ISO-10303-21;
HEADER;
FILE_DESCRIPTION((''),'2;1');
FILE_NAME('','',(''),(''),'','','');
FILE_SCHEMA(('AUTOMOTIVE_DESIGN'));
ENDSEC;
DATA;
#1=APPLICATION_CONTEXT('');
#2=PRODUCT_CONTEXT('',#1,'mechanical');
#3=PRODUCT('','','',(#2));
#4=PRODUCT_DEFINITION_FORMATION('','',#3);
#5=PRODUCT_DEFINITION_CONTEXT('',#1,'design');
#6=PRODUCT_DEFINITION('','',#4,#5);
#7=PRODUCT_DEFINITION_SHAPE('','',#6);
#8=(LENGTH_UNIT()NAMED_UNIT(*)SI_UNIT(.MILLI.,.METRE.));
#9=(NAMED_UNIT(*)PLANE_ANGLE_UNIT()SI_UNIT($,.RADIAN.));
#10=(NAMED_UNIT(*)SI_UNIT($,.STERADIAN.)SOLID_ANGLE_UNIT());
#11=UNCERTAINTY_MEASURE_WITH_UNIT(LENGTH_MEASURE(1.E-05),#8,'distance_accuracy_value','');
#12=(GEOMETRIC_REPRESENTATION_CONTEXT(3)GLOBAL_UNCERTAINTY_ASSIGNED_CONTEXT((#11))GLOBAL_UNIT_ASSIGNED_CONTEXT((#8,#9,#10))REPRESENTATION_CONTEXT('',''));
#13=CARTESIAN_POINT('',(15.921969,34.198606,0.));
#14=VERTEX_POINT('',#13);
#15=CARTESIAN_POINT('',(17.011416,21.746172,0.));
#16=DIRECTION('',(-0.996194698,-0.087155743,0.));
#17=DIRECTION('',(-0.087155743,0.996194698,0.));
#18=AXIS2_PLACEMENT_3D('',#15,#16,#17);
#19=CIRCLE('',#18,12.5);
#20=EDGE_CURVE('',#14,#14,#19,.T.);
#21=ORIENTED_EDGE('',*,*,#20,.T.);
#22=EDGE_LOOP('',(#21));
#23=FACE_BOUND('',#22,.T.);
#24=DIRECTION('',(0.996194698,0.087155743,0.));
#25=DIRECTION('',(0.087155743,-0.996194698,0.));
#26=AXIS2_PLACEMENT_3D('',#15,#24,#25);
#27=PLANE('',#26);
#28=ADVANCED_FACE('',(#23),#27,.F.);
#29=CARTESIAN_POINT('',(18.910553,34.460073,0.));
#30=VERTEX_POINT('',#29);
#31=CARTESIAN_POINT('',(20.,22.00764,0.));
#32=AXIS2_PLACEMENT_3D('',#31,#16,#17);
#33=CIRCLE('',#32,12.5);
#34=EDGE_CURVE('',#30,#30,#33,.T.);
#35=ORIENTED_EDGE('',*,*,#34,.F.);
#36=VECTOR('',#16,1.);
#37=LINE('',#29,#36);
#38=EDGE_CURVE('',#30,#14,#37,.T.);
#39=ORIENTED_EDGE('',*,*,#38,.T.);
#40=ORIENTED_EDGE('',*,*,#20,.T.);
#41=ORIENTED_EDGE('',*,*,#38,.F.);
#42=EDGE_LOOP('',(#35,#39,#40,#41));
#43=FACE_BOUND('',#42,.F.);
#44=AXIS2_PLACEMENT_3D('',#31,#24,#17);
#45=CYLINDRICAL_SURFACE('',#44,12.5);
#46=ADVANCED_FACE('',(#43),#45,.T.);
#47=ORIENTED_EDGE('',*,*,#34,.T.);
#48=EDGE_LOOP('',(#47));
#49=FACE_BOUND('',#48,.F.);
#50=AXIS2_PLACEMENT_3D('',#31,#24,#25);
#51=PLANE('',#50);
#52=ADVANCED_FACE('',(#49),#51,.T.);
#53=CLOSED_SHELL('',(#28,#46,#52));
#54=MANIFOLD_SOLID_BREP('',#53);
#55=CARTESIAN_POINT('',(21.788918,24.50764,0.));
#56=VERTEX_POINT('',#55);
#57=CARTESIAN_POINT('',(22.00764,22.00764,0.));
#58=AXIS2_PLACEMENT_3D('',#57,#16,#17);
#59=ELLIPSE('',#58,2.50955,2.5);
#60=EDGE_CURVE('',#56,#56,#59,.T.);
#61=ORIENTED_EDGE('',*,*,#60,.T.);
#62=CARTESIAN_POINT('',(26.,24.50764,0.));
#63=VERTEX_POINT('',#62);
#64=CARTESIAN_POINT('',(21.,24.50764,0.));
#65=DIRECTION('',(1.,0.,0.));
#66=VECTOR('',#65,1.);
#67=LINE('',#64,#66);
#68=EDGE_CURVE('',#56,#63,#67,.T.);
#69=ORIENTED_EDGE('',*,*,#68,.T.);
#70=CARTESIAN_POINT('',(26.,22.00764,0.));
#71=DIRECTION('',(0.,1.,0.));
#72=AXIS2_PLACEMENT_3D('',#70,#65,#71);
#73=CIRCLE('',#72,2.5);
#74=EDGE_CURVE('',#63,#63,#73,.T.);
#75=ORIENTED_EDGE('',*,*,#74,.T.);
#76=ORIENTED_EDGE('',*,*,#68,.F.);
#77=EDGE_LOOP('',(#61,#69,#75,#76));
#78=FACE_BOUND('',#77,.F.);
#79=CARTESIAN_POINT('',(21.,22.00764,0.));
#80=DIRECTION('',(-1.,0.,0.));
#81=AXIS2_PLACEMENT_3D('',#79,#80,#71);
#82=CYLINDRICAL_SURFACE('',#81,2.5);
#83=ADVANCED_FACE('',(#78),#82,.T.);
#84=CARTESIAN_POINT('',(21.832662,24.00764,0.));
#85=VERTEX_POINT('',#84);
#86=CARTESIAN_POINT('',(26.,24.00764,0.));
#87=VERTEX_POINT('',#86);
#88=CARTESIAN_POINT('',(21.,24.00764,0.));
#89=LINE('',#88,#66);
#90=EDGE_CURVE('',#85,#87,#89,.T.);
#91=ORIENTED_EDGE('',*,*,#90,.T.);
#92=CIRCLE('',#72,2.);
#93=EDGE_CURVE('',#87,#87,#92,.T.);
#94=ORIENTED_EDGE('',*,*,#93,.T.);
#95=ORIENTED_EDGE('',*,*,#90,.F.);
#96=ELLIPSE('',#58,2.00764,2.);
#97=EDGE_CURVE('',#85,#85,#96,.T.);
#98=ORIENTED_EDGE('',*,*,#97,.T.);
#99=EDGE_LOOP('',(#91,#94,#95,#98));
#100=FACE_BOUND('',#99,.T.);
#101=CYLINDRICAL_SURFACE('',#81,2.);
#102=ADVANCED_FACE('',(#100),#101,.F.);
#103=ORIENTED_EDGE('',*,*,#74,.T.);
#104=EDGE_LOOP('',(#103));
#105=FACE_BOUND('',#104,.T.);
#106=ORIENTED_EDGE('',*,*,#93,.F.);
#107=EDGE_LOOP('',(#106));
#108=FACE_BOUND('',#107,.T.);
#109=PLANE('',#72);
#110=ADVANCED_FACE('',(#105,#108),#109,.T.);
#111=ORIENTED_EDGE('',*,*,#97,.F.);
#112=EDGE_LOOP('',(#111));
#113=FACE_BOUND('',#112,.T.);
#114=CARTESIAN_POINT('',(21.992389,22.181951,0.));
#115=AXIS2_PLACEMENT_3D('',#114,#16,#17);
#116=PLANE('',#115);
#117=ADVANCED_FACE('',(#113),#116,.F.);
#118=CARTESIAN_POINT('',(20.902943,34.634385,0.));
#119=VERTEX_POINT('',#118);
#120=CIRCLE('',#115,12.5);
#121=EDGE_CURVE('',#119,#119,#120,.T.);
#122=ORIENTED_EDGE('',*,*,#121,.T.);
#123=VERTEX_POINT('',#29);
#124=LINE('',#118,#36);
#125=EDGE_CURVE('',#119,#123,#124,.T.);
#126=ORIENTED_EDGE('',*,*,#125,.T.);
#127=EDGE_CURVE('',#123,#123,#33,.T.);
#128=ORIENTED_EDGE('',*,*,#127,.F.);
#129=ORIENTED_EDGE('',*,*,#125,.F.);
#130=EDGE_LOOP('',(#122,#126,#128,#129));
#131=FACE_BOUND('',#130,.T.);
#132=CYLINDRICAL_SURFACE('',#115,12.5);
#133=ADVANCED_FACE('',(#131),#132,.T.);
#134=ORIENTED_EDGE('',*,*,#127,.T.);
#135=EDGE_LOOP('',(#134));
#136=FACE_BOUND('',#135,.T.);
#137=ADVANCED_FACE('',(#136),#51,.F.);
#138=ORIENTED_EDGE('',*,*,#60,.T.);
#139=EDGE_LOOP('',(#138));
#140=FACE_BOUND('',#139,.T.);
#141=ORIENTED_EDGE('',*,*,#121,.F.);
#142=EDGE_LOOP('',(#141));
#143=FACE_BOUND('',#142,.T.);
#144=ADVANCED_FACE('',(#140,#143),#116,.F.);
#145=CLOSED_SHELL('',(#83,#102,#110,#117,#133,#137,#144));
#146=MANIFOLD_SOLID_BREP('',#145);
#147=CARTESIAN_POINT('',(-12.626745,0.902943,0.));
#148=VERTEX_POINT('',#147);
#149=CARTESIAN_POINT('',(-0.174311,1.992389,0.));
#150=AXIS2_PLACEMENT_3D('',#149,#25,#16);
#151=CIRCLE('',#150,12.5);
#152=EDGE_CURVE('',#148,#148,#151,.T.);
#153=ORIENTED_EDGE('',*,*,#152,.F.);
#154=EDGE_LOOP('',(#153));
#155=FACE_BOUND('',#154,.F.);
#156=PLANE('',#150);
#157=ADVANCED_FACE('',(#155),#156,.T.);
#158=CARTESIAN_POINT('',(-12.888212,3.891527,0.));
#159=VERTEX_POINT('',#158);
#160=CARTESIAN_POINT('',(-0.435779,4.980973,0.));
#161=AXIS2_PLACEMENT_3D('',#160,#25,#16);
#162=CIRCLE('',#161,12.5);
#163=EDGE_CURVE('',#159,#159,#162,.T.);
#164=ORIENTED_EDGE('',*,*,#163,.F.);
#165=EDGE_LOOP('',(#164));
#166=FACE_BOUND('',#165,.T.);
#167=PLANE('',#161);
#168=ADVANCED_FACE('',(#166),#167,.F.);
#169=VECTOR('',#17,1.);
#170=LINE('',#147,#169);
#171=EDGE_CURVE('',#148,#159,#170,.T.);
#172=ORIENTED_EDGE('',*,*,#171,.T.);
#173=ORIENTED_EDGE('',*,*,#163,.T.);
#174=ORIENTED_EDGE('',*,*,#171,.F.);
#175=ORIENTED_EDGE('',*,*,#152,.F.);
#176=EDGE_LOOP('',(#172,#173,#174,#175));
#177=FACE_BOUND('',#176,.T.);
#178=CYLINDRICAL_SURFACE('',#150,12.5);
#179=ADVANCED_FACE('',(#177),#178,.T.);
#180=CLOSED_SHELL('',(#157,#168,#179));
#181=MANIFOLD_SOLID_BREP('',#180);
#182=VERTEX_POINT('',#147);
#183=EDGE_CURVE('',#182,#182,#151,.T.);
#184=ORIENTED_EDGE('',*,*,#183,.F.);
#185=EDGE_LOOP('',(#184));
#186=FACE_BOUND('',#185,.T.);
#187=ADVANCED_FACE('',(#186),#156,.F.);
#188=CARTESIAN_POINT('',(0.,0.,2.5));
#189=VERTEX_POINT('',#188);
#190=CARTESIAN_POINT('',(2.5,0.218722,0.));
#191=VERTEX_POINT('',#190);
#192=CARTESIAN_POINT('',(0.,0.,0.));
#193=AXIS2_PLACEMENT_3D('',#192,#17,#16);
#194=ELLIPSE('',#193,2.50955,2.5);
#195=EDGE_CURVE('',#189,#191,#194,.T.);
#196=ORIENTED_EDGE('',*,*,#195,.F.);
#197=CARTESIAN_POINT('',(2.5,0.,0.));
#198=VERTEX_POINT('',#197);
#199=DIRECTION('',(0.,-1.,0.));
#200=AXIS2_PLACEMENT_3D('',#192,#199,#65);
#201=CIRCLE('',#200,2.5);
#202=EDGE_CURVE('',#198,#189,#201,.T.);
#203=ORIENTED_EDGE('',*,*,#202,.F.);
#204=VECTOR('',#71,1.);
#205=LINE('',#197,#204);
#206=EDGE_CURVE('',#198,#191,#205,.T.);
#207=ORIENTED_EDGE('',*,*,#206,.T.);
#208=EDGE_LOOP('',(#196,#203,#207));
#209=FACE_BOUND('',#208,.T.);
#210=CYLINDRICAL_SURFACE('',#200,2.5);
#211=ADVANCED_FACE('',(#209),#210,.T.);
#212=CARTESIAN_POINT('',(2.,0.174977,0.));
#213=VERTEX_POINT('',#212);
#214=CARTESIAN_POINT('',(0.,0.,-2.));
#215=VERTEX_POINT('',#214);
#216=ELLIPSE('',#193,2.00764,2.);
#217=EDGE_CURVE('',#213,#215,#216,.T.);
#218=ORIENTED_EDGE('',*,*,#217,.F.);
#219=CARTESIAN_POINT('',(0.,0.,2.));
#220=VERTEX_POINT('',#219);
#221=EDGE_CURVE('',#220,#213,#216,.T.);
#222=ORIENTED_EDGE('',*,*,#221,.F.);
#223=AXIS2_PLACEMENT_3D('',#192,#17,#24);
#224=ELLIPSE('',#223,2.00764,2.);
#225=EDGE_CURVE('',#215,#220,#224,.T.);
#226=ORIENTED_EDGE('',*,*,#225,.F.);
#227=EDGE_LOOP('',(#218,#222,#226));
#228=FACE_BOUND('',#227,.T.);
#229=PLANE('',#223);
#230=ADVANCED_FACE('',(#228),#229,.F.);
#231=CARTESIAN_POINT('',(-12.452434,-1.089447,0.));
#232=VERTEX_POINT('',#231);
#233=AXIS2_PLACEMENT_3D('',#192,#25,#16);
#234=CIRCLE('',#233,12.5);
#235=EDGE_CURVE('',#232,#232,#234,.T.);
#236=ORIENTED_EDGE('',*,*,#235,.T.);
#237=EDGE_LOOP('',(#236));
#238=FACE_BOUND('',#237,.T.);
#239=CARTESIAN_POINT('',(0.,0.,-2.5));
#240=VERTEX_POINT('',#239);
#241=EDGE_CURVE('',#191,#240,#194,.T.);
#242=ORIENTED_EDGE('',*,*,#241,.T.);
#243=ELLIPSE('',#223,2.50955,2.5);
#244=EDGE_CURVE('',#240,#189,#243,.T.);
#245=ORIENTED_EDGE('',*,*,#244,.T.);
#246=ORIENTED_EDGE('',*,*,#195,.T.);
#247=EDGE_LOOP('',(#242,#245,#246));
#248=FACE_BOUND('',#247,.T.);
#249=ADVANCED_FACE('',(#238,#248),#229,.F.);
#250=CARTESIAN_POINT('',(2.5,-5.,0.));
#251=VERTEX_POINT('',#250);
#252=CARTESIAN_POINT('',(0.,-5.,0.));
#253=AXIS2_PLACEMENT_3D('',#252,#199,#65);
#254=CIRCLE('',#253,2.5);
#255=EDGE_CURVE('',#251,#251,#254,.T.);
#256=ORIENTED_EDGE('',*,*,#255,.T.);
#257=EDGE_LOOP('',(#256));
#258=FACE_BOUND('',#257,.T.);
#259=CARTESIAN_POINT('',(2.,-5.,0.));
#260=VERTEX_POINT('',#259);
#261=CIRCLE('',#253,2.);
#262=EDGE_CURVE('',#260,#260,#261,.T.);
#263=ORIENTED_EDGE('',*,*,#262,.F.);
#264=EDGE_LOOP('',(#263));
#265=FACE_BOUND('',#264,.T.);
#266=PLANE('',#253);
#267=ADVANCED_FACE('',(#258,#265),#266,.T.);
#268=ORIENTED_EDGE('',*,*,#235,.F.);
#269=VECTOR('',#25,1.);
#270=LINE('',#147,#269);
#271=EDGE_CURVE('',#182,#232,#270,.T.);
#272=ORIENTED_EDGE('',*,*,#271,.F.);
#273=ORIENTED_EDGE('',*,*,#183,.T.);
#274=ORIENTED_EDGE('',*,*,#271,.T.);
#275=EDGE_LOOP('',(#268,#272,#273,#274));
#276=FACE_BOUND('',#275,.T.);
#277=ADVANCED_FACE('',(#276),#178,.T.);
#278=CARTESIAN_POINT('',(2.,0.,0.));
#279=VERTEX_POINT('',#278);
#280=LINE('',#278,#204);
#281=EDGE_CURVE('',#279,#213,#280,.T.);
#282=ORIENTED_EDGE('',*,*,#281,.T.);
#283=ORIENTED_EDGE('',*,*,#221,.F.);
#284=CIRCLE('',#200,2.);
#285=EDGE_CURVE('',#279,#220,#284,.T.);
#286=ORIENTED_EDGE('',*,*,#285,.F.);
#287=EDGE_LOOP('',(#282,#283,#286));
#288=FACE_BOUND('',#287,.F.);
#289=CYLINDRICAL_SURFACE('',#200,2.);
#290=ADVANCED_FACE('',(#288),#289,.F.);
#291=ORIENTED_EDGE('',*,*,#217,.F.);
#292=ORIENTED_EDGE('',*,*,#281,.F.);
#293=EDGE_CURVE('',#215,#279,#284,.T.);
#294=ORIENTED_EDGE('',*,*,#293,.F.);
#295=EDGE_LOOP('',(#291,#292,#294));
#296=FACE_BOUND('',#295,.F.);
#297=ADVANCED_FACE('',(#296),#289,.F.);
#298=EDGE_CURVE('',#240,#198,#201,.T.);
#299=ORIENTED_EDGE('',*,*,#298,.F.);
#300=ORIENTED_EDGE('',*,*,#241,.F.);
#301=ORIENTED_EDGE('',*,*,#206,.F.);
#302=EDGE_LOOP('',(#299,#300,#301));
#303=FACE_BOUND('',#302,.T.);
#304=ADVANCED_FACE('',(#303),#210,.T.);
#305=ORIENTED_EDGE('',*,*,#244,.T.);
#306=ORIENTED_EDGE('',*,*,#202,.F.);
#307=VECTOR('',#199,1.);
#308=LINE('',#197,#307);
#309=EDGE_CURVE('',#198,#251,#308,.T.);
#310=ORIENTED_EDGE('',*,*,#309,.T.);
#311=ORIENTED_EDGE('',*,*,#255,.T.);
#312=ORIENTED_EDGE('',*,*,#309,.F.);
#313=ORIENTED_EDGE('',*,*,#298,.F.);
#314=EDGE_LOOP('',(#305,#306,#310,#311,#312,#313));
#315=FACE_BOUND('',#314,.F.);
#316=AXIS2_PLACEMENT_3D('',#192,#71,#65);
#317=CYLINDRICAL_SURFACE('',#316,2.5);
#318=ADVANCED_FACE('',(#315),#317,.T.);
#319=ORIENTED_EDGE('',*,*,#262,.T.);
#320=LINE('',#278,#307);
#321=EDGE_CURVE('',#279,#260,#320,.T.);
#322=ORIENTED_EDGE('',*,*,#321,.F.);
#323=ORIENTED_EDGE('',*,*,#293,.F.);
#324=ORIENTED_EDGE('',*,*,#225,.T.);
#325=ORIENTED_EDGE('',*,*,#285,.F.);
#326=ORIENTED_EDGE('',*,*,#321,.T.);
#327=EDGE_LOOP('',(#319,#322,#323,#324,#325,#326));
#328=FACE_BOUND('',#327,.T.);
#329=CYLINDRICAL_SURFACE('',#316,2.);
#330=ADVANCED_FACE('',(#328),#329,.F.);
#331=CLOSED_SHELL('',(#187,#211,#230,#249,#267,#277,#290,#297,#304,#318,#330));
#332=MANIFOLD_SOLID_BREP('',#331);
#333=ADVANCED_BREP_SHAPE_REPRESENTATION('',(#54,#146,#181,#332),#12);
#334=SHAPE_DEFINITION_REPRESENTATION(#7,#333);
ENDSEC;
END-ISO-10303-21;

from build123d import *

# Parameters (mm, degrees)
F2_R          = 2.5
F2_R_2        = 2
F3_DEPTH      = 5
F3_DEPTH_BACK = 1
F6_START      = 21
F5_R          = 2.5
F5_R_2        = 2
F6_DEPTH      = 5
F7_DEPTH      = 3
F8_DEPTH      = 3


with BuildPart() as f1:
    # F0 (on Top) → F1 (revolve)
    with BuildSketch(Plane.XY):
        Polygon((-12.6267452116, 0.9029426118), (-12.4524337261, -1.0894467843), (0, 0), (-0.1743114855, 1.9923893962), align=None)
    revolve(axis=Axis((-0.0871557427, 0.9961946981, 0), (0.0871557427, -0.9961946981, 0)))

    # F2 (on Front) → F3 (join, two sides)
    with BuildSketch(Plane.XZ) as f3_sk:
        Circle(F2_R)
        Circle(F2_R_2, mode=Mode.SUBTRACT)
    extrude(amount=F3_DEPTH)
    extrude(f3_sk.sketch, amount=-F3_DEPTH_BACK)


with BuildPart() as f4:
    # F0 (on Top) → F4 (revolve)
    with BuildSketch(Plane.XY):
        Polygon((20.9029426118, 34.6343848867), (18.9105532157, 34.4600734012), (20, 22.0076396751), (21.9923893962, 22.1819511606), align=None)
    revolve(axis=Axis((20.9961946981, 22.0947954178, 0), (-0.9961946981, -0.0871557427, 0)))

    # F5 (on Right) → F6 (join)
    with BuildSketch(Plane.YZ.offset(F6_START)):
        with Locations((22.0076396751, 0)):
            Circle(F5_R)
        with Locations((22.0076396751, 0)):
            Circle(F5_R_2, mode=Mode.SUBTRACT)
    extrude(amount=F6_DEPTH)


with BuildPart() as f7:
    # F7 (new): a face of the model
    f7_faces = [f4.part.faces().sort_by_distance(p)[0] for p in [
        (20, 22.0076396751, 0),
    ]]
    extrude(f7_faces, amount=F7_DEPTH)


with BuildPart() as f8:
    # F8 (new): a face of the model
    f8_faces = [f1.part.faces().sort_by_distance(p)[0] for p in [
        (-0.1743114855, 1.9923893962, 0),
    ]]
    extrude(f8_faces, amount=F8_DEPTH)


solid = Compound([f1.part, f4.part, f7.part, f8.part])
